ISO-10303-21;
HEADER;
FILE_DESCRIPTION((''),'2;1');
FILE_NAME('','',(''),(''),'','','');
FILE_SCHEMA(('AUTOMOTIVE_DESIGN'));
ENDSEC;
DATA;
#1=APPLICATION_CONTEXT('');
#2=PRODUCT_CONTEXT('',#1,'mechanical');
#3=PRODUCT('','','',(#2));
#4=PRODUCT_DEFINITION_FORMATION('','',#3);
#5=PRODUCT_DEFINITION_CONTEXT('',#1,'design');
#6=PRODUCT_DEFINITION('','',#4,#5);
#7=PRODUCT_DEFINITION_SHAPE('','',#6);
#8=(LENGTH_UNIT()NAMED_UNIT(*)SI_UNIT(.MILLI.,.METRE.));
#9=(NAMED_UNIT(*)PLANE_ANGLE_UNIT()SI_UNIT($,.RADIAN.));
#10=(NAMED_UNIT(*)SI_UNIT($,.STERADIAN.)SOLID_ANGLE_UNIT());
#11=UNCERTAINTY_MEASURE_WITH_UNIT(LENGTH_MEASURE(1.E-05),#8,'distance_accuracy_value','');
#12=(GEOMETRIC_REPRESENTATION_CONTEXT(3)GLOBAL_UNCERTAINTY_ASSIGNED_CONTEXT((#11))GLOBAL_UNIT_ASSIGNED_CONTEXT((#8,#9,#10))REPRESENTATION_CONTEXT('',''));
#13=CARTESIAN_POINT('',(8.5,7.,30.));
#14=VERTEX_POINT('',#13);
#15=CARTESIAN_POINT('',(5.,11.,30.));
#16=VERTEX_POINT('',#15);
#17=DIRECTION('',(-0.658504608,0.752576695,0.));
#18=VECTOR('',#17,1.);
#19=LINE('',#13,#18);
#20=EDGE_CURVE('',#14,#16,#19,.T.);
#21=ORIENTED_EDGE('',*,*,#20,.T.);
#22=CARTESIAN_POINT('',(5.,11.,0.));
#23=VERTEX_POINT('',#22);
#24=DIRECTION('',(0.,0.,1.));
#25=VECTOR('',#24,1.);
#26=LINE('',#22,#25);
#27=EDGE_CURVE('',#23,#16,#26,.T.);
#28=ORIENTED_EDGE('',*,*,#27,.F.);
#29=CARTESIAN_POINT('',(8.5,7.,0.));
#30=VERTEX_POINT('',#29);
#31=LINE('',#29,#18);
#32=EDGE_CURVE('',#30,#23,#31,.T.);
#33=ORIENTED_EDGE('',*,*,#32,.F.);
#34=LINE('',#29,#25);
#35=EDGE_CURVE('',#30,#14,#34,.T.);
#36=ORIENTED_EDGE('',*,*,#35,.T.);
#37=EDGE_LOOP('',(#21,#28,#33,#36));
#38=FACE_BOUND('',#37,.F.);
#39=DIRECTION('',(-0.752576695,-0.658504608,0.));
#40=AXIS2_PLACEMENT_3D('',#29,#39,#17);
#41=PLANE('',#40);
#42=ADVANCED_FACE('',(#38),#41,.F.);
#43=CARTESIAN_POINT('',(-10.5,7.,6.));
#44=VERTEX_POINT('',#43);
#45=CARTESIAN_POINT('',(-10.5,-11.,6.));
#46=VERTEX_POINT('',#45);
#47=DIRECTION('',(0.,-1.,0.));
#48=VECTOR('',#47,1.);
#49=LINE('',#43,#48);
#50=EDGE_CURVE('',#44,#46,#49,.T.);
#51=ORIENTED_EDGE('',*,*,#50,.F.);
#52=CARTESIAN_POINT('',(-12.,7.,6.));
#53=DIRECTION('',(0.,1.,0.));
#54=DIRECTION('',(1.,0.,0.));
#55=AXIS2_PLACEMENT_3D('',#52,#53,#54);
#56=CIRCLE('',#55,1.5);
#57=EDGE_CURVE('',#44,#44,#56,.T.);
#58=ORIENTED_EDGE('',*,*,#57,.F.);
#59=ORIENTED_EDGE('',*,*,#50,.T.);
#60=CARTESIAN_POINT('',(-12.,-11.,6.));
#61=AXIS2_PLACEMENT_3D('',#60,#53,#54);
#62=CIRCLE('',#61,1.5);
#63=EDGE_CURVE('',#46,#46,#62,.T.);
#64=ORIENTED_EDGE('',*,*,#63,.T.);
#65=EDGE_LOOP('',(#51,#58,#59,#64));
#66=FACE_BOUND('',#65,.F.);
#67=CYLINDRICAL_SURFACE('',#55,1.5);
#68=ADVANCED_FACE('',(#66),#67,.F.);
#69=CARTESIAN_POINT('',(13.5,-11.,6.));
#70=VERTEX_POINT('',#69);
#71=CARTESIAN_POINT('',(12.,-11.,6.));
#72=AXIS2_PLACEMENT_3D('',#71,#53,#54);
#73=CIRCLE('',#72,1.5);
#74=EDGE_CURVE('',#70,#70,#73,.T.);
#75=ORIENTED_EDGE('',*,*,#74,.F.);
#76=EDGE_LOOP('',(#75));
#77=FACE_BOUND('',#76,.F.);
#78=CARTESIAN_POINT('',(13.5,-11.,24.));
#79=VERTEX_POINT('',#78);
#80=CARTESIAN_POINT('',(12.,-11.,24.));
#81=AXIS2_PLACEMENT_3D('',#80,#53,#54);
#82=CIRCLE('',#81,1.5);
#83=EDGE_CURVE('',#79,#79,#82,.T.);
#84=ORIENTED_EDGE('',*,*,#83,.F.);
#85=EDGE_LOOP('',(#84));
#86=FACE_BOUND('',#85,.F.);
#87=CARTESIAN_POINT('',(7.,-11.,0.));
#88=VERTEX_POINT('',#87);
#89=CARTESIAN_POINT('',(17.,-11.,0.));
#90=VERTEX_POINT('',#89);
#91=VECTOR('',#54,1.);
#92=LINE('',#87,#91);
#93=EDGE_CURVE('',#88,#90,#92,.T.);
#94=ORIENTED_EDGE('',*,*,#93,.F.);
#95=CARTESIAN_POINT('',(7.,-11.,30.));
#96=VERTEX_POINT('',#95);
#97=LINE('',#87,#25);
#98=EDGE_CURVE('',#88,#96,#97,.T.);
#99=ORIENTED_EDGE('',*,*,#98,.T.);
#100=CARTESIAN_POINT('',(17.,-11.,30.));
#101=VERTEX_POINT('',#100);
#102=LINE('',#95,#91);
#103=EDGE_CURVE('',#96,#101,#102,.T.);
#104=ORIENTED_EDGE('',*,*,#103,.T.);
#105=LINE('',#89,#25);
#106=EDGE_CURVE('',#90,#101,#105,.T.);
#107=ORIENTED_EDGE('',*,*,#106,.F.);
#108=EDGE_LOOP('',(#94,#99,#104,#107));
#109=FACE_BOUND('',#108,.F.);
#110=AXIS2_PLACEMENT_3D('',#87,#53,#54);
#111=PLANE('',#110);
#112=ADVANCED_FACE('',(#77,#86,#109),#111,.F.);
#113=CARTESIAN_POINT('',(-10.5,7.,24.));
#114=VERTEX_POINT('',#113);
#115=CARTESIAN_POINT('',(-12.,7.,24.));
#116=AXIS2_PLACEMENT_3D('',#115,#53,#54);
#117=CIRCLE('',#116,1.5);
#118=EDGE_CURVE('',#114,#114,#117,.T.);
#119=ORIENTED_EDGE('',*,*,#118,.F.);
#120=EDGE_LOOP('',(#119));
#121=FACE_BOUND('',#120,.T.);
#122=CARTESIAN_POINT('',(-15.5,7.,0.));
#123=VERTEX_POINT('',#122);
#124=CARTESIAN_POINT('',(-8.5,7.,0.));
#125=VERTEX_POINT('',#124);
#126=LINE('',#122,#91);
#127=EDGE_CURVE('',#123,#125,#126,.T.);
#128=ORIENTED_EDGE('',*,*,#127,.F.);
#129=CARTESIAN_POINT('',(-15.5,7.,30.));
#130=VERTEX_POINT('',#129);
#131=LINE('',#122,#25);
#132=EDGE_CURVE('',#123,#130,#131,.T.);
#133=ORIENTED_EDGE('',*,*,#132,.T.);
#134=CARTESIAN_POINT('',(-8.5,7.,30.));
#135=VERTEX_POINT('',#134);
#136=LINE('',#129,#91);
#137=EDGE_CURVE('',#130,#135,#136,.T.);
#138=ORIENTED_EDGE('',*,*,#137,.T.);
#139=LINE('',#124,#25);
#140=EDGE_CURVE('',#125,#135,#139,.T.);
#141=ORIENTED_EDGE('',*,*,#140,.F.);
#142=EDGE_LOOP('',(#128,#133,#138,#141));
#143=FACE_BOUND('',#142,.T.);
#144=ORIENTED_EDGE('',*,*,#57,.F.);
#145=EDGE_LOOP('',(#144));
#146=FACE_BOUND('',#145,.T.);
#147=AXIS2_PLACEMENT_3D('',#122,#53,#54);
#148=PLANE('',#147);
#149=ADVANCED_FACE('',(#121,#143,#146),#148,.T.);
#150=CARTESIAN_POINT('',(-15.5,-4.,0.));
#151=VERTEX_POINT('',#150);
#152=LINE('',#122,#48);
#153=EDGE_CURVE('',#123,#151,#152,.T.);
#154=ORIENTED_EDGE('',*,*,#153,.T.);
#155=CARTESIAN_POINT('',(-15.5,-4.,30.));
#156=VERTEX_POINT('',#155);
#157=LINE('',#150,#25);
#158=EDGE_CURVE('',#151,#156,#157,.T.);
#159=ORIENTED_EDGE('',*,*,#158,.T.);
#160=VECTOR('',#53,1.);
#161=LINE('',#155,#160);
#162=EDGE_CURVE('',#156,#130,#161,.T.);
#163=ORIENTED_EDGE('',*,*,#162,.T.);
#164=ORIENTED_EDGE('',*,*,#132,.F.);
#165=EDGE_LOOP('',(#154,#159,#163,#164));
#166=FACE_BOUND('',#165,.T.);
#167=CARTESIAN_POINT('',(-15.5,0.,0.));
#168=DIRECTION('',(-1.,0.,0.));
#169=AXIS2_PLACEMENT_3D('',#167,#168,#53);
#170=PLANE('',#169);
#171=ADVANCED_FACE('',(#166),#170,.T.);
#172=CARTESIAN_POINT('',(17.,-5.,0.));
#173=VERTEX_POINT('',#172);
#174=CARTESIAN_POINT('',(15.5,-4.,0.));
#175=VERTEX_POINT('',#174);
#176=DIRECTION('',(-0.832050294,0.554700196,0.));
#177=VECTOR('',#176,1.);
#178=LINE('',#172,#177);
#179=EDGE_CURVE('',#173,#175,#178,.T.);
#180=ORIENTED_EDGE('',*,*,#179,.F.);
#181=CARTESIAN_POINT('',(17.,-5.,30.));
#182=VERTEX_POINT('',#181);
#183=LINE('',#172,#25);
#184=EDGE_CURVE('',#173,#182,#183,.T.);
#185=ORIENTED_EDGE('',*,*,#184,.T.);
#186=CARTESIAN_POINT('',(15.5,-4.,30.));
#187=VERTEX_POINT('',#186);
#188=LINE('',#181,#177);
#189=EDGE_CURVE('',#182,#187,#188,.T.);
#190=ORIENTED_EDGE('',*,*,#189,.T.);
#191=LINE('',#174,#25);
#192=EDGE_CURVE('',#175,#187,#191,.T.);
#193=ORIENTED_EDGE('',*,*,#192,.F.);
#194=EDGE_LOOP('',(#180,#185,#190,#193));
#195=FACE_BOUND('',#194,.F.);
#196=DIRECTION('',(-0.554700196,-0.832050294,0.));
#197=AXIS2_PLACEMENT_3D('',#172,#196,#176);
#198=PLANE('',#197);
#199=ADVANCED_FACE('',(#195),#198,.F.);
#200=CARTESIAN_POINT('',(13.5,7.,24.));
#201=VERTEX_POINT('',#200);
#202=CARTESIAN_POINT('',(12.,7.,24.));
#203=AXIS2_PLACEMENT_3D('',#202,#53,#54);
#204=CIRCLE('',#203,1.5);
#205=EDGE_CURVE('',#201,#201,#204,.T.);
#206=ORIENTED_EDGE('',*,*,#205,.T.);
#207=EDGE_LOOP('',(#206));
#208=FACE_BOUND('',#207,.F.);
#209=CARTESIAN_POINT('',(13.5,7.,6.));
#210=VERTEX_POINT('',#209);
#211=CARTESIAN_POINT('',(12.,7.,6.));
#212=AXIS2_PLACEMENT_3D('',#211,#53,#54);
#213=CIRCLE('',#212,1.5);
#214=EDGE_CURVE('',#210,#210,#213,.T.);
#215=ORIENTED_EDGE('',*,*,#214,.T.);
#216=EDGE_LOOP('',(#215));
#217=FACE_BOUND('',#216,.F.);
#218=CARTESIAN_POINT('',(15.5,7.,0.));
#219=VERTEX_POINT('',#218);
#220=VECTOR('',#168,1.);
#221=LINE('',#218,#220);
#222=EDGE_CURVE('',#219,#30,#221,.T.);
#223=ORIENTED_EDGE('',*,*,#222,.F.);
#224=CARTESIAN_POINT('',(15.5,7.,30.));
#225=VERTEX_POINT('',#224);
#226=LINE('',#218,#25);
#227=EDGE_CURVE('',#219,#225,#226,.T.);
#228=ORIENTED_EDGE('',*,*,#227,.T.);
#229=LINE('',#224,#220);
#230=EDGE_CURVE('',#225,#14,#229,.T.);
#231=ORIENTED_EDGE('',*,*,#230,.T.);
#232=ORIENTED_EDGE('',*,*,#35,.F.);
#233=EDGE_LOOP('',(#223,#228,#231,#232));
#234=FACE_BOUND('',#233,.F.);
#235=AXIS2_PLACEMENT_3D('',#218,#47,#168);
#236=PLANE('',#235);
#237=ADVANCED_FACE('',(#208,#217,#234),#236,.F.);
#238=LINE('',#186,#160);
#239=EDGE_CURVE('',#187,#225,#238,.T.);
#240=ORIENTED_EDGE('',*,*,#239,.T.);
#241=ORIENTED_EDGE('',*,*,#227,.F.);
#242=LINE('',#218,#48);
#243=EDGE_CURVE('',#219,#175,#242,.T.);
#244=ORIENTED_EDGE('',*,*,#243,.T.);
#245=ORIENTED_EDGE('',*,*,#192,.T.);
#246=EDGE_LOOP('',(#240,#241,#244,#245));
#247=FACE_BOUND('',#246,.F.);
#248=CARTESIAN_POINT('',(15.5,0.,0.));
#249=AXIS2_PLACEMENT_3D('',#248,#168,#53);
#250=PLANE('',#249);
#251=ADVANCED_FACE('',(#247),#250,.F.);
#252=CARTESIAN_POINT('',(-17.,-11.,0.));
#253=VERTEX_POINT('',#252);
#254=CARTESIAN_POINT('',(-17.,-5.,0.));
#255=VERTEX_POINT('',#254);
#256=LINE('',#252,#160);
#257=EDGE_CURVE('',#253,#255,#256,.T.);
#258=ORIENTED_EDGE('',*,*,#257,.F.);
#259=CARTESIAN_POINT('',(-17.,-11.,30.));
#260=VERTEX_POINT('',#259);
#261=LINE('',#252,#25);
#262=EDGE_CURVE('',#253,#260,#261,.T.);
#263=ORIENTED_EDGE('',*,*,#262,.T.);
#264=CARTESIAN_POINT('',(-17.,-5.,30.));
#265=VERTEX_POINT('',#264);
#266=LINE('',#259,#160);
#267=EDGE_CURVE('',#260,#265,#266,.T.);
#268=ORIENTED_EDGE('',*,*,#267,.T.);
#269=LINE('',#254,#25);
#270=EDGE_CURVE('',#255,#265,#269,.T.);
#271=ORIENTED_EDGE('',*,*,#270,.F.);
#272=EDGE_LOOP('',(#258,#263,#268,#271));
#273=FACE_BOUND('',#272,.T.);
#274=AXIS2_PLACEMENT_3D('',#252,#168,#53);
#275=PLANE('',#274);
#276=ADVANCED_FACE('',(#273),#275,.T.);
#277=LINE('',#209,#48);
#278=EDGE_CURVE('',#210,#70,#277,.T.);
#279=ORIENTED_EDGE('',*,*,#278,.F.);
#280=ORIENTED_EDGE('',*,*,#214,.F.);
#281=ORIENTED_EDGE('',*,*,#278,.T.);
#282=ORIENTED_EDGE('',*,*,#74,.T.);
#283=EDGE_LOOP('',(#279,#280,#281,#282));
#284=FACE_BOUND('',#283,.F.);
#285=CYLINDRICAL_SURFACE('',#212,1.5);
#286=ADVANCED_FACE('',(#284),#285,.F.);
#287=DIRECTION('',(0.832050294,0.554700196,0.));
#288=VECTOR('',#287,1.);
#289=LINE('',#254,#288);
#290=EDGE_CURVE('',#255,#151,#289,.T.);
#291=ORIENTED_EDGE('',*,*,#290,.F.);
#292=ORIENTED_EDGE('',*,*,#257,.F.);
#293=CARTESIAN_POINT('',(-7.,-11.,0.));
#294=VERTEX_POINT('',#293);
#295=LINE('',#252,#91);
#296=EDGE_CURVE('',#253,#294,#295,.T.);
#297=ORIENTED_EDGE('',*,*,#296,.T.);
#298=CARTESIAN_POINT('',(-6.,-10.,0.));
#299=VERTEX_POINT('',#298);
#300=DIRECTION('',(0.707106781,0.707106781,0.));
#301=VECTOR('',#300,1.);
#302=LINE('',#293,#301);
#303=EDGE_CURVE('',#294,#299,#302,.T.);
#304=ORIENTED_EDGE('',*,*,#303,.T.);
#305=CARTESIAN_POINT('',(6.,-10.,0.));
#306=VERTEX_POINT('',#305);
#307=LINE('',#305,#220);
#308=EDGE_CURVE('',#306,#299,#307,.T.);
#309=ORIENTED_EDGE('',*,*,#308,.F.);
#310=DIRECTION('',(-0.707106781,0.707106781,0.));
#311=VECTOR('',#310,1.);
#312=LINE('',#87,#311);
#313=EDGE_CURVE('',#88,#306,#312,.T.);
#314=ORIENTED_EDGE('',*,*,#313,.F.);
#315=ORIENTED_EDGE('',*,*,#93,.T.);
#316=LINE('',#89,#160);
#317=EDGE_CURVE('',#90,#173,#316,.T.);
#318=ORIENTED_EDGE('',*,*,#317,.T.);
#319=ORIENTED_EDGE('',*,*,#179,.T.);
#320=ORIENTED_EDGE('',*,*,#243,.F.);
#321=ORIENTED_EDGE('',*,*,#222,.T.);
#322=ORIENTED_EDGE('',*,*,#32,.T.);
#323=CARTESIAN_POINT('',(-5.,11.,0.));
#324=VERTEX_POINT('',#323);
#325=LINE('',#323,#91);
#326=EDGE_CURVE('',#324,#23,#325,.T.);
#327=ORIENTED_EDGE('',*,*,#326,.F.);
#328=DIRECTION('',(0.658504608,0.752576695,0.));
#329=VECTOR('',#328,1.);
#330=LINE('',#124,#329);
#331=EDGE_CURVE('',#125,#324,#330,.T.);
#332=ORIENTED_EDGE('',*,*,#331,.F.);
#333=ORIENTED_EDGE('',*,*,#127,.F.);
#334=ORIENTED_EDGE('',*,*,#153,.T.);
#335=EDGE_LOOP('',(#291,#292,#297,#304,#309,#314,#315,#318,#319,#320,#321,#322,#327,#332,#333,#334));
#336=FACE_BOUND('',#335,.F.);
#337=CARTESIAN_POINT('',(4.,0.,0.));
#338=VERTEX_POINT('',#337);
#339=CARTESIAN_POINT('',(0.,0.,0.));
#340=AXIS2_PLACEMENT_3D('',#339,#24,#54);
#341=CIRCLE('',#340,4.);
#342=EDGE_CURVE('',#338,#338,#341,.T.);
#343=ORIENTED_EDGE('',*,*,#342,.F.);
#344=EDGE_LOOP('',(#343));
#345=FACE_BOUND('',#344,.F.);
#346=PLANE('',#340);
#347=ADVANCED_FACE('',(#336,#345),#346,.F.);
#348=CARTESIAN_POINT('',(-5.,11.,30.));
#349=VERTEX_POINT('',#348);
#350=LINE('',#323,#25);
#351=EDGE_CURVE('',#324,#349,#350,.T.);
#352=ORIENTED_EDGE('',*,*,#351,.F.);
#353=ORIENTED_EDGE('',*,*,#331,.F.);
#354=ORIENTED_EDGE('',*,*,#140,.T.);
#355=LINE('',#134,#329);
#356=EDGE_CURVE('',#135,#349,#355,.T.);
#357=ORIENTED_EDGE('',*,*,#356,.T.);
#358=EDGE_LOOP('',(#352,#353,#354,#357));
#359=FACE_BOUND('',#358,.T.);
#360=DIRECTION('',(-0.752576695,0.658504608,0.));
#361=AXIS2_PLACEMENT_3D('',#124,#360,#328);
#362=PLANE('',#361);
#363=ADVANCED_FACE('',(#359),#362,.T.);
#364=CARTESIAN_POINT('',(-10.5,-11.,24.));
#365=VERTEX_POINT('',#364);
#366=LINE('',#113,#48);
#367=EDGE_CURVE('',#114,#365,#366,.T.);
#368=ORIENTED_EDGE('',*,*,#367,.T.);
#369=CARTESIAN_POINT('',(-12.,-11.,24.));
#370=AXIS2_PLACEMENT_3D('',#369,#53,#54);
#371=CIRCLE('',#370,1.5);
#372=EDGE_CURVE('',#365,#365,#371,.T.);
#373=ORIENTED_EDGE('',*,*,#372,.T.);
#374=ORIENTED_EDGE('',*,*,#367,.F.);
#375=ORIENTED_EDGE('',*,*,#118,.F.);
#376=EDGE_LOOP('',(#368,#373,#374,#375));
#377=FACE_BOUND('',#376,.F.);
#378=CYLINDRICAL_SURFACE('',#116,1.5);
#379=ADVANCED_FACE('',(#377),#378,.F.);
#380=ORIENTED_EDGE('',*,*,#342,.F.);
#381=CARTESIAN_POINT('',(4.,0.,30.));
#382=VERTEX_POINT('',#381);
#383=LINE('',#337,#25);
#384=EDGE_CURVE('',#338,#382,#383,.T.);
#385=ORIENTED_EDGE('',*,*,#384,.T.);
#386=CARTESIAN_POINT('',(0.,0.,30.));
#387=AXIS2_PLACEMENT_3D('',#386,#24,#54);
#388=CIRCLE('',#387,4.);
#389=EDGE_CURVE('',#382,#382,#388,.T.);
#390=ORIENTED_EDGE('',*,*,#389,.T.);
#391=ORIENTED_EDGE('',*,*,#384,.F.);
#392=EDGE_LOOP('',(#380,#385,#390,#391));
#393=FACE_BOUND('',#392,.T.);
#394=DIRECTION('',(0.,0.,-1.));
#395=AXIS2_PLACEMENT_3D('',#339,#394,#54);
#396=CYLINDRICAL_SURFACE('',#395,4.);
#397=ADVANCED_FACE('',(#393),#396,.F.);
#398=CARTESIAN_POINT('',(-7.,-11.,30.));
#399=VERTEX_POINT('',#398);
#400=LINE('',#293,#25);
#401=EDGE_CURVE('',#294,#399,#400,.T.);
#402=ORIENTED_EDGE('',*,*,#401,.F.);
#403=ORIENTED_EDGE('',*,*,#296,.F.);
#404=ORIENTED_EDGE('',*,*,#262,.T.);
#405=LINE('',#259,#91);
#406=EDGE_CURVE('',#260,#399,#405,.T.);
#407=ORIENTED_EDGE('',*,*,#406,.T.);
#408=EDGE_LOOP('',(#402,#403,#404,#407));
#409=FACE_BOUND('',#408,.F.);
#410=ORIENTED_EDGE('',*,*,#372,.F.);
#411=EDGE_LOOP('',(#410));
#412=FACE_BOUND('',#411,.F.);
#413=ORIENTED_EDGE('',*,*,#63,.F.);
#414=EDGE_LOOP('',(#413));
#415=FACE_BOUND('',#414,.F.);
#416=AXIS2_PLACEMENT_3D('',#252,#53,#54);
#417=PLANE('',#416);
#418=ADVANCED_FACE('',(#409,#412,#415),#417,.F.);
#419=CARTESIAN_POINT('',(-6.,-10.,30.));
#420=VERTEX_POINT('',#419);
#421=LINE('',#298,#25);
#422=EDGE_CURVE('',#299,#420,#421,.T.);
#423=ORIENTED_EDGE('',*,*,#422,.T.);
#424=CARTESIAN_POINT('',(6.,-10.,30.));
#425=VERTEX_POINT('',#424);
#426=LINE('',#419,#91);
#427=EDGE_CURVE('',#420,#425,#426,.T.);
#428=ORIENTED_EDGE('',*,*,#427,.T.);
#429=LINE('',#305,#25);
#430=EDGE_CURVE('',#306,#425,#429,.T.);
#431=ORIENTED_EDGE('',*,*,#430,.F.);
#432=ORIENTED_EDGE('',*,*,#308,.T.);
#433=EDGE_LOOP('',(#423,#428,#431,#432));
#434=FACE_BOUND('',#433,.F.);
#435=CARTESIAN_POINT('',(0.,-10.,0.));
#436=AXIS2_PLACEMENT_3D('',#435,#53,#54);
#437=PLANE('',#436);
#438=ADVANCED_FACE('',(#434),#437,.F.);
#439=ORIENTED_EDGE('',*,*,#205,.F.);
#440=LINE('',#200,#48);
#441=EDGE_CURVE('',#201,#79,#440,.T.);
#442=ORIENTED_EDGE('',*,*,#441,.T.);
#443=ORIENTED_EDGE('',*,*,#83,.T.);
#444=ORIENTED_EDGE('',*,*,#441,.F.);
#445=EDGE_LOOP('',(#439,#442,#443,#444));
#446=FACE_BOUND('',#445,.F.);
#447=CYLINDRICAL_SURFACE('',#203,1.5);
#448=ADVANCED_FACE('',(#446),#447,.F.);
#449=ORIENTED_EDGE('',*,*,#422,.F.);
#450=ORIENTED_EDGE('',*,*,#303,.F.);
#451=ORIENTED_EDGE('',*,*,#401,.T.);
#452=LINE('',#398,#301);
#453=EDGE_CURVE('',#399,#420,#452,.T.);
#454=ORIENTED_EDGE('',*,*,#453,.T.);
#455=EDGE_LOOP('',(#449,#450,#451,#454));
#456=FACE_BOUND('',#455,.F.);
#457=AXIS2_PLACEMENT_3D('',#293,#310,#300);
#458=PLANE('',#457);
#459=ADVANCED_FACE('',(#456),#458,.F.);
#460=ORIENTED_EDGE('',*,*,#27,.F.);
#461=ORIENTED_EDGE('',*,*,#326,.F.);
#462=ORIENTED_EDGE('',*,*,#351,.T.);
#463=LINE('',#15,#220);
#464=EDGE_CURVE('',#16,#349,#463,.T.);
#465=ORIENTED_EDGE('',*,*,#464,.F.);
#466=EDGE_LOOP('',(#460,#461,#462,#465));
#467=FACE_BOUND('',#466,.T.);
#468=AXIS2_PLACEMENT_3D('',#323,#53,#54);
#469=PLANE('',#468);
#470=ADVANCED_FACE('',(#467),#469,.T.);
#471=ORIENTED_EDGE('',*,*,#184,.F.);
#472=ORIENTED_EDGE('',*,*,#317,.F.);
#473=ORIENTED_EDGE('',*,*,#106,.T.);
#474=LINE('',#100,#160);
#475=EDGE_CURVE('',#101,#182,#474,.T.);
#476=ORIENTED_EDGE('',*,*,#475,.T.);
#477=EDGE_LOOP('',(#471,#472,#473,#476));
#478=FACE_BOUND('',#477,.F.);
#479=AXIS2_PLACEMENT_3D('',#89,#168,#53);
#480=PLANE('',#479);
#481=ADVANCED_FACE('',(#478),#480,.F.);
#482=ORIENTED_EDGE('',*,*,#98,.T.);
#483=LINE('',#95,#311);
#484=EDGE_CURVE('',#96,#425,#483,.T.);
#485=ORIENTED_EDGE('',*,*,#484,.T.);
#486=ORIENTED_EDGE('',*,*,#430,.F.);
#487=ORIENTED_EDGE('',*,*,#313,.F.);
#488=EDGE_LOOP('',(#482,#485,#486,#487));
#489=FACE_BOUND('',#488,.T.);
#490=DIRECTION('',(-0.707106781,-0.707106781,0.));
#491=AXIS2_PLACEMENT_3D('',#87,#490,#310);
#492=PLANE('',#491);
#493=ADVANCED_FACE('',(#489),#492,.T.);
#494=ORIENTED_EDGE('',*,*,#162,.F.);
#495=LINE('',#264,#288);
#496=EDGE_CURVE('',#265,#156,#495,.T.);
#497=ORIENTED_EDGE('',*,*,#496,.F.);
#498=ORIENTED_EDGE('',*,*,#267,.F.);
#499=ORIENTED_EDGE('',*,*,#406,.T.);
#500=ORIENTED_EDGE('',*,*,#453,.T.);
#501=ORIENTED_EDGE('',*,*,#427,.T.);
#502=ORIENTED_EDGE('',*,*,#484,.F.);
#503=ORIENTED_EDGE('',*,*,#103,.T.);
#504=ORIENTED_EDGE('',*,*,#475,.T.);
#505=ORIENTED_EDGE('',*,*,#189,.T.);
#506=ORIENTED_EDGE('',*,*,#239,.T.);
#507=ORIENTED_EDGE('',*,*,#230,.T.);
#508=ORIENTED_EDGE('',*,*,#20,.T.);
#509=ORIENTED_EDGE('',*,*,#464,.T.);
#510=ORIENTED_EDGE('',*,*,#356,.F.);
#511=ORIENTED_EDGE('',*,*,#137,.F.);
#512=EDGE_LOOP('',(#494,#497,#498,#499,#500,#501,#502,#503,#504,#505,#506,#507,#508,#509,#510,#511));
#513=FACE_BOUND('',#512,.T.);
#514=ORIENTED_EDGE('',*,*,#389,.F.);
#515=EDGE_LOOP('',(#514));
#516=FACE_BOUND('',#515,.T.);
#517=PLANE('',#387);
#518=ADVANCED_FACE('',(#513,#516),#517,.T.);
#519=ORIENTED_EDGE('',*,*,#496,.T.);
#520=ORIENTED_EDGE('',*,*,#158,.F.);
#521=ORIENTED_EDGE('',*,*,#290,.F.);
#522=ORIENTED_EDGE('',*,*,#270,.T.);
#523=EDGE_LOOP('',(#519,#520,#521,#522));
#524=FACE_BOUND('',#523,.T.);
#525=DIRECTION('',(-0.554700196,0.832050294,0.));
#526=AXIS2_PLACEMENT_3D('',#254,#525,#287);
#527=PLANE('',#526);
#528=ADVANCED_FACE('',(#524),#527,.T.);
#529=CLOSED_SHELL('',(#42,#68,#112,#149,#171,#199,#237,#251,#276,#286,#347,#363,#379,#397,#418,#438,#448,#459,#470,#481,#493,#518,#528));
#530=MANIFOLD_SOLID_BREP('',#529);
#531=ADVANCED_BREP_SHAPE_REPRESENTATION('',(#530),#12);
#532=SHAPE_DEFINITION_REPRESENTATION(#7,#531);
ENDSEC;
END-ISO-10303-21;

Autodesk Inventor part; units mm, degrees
ref_plane "YZ Plane" through (0, 0, 0) normal (1, 0, 0) x (0, 1, 0)
ref_plane "XZ Plane" through (0, 0, 0) normal (0, 1, 0) x (-1, 0, 0)
ref_plane "XY Plane" through (0, 0, 0) normal (0, 0, 1) x (1, 0, 0)
sketch "Sketch1" plane through (0, 0, 0) normal (0, 0, 1) x (1, 0, 0)
  circle A0 centre (0, 0) radius 4
  line L0 (-15.5, 0) -> (-15.5, 7)
  line L1 (-15.5, 7) -> (-8.5, 7)
  line L2 (-8.5, 7) -> (-5, 11)
  line L3 (-5, 11) -> (0, 11)
  line L4 (0, -4) -> (-15.5, -4) construction
  line L5 (-15.5, 0) -> (-15.5, -4)
  line L6 (-17, -11) -> (0, -11) construction
  line L7 (-17, -11) -> (-17, -5)
  line L8 (-17, -5) -> (-15.5, -4)
  line L9 (0, -4) -> (0, -11) construction
  line L10 (0, 4) -> (0, 11) construction
  line L11 (15.5, 0) -> (15.5, 7)
  line L12 (15.5, 7) -> (8.5, 7)
  line L13 (8.5, 7) -> (5, 11)
  line L14 (5, 11) -> (0, 11)
  line L15 (15.5, 0) -> (15.5, -4)
  line L16 (17, -11) -> (17, -5)
  line L17 (17, -5) -> (15.5, -4)
  line L18 (-17, -11) -> (-7, -11)
  line L19 (0, -10) -> (-6, -10)
  line L20 (-7, -11) -> (-6, -10)
  line L21 (17, -11) -> (0, -11) construction
  line L22 (0, -10) -> (6, -10)
  line L23 (7, -11) -> (6, -10)
  line L24 (7, -11) -> (17, -11)
  dimension "d0" = 8
  dimension "d1" = 15.5
  dimension "d2" = 11
  dimension "d3" = 17
  dimension "d4" = 6
  dimension "d5" = 18
  dimension "d6" = 22
  dimension "d7" = 5
  dimension "d8" = 7
  dimension "d19" = 10
  dimension "d20" = 1
  dimension "d21" = 6
extrude "Extrusion1" add sketch "Sketch1" along normal blind 30
sketch "Sketch2" plane through (-15.5, 7, 0) normal (0, 1, 0) x (1, 0, 0)
  circle A0 centre (3.5, -6) radius 1.5
  line L0 (15.5, 0) -> (15.5, -30) construction
  line L1 (32.5, 0) -> (32.5, -30) construction
  line L2 (32.5, -15) -> (-1.5, -15) construction
  line L3 (-1.5, 0) -> (-1.5, -30) construction
  line L4 (27.5, -24) -> (3.5, -24) construction
  line L5 (3.5, -24) -> (3.5, -6) construction
  line L6 (3.5, -6) -> (27.5, -6) construction
  line L7 (27.5, -6) -> (27.5, -24) construction
  line L8 (27.5, -24) -> (3.5, -6) construction
  line L9 (3.5, -24) -> (27.5, -6) construction
  circle A1 centre (27.5, -6) radius 1.5
  circle A2 centre (27.5, -24) radius 1.5
  circle A3 centre (3.5, -24) radius 1.5
  point P0 (15.5, -15)
  dimension "d11" = 3
  dimension "d12" = 24
  dimension "d13" = 18
  dimension "d14" = 3
  dimension "d15" = 3
  dimension "d16" = 3
extrude "Extrusion2" cut sketch "Sketch2" against normal through all
sketch "Sketch3" plane through (-17, -11, 0) normal (0, -1, 0) x (1, 0, 0)
  point P0 (17, 0)
equation "\"d14\" = d11"
equation "\"d15\" = d11"
equation "\"d16\" = d11"
properties part number "Linear Bearing 8mm Square"
